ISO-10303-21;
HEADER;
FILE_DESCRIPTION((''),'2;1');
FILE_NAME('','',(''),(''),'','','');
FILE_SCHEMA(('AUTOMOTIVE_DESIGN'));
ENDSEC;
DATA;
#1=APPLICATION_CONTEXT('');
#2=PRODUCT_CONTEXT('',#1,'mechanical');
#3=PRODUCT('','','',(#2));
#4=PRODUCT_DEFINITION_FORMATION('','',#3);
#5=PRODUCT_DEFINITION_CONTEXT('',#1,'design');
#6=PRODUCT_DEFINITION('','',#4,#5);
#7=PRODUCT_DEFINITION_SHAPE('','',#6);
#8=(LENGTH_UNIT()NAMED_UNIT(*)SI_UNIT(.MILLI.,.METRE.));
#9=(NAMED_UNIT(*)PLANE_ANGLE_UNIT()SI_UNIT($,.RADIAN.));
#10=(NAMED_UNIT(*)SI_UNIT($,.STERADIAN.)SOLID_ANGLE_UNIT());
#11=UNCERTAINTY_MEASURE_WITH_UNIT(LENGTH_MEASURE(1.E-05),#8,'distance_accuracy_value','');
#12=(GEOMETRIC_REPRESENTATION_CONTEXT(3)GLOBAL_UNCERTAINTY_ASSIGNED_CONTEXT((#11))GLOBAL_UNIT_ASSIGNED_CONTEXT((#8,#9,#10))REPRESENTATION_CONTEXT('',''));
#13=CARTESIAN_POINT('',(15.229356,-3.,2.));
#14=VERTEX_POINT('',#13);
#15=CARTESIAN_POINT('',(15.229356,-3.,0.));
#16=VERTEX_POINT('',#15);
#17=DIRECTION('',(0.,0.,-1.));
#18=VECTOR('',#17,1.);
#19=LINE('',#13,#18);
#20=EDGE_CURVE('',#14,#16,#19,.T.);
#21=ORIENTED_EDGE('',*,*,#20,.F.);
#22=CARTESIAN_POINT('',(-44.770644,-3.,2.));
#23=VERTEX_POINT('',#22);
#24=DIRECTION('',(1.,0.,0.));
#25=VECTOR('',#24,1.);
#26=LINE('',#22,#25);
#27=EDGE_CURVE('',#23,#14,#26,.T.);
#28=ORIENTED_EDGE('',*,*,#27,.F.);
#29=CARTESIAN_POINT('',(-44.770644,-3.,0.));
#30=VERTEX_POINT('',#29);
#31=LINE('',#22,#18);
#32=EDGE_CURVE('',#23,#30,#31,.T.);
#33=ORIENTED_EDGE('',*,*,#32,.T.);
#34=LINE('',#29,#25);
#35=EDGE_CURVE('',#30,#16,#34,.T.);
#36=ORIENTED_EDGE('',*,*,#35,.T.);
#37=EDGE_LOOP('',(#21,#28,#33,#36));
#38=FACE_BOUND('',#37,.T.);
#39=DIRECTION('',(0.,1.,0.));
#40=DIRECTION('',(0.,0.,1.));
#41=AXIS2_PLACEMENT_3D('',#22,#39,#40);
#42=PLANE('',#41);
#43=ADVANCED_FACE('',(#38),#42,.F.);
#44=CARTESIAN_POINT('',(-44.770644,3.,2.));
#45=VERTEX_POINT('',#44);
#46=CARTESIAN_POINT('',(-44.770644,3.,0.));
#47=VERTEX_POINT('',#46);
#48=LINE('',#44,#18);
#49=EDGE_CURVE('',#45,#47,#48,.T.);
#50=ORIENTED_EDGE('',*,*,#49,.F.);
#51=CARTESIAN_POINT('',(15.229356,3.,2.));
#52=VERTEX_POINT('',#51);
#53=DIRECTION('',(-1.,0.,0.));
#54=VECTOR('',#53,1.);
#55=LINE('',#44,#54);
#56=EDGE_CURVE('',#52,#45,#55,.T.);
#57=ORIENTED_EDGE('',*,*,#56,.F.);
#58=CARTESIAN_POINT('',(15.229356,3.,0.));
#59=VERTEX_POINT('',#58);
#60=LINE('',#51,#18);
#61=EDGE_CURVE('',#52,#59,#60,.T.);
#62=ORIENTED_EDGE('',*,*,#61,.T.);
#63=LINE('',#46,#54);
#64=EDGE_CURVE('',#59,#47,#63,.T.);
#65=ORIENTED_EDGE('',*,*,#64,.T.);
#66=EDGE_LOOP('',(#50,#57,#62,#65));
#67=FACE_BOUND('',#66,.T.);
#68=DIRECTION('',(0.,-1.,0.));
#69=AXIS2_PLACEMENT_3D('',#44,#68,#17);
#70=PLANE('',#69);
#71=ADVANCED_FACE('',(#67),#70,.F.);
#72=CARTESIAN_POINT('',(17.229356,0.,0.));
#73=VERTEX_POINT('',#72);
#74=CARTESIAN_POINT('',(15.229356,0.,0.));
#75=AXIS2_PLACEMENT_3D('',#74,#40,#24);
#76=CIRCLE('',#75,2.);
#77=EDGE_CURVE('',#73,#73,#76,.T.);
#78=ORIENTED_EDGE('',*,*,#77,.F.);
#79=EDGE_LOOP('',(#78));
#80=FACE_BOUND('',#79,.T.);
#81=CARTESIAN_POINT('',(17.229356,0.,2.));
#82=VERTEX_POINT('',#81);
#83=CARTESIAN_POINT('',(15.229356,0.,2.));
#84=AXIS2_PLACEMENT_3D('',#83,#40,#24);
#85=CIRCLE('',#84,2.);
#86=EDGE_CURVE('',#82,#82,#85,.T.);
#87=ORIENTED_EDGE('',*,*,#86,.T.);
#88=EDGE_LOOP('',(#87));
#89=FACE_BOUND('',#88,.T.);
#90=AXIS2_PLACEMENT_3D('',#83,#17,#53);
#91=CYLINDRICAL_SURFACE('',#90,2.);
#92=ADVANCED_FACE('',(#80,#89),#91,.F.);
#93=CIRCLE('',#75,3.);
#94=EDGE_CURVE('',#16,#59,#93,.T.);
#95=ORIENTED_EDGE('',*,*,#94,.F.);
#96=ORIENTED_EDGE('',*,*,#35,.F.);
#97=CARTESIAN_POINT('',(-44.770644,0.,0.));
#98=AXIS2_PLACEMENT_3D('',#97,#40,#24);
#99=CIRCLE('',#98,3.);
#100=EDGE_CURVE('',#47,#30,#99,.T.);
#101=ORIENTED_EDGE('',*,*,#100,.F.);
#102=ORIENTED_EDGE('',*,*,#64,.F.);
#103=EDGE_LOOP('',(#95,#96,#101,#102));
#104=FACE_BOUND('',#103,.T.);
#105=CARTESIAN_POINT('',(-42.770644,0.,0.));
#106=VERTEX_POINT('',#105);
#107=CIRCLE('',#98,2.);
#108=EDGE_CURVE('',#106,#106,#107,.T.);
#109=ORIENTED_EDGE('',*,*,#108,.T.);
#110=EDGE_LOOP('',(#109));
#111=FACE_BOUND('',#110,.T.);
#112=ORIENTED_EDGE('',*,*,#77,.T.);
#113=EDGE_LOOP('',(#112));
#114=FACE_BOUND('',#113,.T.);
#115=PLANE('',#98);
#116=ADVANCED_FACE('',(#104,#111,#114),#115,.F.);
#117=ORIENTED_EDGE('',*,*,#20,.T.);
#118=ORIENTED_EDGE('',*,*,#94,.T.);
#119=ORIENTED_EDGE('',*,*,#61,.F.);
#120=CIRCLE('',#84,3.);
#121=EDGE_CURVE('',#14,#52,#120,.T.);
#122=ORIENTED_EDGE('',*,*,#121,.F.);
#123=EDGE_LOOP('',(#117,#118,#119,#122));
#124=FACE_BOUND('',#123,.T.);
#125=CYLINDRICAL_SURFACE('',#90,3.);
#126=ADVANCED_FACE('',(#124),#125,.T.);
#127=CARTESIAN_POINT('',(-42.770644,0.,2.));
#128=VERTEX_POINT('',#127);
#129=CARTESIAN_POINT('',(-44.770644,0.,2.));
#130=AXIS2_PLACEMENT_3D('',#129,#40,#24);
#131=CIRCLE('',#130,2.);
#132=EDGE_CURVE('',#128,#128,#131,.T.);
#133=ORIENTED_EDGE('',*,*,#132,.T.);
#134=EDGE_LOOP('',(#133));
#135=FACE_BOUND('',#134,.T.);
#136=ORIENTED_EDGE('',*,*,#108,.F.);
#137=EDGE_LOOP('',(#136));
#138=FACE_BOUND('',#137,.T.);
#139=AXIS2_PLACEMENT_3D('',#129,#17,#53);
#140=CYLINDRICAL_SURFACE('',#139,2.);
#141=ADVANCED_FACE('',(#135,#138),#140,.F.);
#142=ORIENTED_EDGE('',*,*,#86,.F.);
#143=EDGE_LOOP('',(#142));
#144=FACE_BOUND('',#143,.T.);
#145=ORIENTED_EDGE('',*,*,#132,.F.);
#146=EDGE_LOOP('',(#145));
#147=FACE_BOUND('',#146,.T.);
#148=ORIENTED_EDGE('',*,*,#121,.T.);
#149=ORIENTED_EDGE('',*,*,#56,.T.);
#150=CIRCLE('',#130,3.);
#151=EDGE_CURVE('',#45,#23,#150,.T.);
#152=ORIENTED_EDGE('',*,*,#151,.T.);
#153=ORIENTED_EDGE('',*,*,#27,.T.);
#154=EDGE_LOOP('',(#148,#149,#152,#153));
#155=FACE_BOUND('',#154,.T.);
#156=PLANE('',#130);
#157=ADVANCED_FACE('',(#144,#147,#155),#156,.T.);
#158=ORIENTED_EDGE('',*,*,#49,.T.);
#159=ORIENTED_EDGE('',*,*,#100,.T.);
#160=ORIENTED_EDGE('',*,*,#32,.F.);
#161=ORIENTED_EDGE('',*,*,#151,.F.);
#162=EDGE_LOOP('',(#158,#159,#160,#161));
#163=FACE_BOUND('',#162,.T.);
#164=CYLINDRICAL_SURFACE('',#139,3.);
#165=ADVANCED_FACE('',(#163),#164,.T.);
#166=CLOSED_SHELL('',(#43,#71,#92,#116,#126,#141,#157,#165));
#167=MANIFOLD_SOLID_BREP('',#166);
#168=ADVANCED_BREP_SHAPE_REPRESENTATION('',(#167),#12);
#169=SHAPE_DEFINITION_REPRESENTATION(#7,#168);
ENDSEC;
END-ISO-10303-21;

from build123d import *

# Parameters (mm, degrees)
SKETCH_1_R      = 2
EXTRUDE_1_DEPTH = 2


with BuildPart() as part:
    # 草图1 → 凸台-拉伸1 (new body)
    with BuildSketch(Plane.XY):
        with BuildLine():
            Line((-44.770643736, -3), (15.229356264, -3))
            ThreePointArc((15.229356264, -3), (18.229356264, 0), (15.229356264, 3))
            Line((15.229356264, 3), (-44.770643736, 3))
            ThreePointArc((-44.770643736, 3), (-47.770643736, 0), (-44.770643736, -3))
        make_face()
        with Locations((-44.770643736, 0)):
            Circle(SKETCH_1_R, mode=Mode.SUBTRACT)
        with Locations((15.229356264, 0)):
            Circle(SKETCH_1_R, mode=Mode.SUBTRACT)
    extrude(amount=EXTRUDE_1_DEPTH)


solid = part.part
